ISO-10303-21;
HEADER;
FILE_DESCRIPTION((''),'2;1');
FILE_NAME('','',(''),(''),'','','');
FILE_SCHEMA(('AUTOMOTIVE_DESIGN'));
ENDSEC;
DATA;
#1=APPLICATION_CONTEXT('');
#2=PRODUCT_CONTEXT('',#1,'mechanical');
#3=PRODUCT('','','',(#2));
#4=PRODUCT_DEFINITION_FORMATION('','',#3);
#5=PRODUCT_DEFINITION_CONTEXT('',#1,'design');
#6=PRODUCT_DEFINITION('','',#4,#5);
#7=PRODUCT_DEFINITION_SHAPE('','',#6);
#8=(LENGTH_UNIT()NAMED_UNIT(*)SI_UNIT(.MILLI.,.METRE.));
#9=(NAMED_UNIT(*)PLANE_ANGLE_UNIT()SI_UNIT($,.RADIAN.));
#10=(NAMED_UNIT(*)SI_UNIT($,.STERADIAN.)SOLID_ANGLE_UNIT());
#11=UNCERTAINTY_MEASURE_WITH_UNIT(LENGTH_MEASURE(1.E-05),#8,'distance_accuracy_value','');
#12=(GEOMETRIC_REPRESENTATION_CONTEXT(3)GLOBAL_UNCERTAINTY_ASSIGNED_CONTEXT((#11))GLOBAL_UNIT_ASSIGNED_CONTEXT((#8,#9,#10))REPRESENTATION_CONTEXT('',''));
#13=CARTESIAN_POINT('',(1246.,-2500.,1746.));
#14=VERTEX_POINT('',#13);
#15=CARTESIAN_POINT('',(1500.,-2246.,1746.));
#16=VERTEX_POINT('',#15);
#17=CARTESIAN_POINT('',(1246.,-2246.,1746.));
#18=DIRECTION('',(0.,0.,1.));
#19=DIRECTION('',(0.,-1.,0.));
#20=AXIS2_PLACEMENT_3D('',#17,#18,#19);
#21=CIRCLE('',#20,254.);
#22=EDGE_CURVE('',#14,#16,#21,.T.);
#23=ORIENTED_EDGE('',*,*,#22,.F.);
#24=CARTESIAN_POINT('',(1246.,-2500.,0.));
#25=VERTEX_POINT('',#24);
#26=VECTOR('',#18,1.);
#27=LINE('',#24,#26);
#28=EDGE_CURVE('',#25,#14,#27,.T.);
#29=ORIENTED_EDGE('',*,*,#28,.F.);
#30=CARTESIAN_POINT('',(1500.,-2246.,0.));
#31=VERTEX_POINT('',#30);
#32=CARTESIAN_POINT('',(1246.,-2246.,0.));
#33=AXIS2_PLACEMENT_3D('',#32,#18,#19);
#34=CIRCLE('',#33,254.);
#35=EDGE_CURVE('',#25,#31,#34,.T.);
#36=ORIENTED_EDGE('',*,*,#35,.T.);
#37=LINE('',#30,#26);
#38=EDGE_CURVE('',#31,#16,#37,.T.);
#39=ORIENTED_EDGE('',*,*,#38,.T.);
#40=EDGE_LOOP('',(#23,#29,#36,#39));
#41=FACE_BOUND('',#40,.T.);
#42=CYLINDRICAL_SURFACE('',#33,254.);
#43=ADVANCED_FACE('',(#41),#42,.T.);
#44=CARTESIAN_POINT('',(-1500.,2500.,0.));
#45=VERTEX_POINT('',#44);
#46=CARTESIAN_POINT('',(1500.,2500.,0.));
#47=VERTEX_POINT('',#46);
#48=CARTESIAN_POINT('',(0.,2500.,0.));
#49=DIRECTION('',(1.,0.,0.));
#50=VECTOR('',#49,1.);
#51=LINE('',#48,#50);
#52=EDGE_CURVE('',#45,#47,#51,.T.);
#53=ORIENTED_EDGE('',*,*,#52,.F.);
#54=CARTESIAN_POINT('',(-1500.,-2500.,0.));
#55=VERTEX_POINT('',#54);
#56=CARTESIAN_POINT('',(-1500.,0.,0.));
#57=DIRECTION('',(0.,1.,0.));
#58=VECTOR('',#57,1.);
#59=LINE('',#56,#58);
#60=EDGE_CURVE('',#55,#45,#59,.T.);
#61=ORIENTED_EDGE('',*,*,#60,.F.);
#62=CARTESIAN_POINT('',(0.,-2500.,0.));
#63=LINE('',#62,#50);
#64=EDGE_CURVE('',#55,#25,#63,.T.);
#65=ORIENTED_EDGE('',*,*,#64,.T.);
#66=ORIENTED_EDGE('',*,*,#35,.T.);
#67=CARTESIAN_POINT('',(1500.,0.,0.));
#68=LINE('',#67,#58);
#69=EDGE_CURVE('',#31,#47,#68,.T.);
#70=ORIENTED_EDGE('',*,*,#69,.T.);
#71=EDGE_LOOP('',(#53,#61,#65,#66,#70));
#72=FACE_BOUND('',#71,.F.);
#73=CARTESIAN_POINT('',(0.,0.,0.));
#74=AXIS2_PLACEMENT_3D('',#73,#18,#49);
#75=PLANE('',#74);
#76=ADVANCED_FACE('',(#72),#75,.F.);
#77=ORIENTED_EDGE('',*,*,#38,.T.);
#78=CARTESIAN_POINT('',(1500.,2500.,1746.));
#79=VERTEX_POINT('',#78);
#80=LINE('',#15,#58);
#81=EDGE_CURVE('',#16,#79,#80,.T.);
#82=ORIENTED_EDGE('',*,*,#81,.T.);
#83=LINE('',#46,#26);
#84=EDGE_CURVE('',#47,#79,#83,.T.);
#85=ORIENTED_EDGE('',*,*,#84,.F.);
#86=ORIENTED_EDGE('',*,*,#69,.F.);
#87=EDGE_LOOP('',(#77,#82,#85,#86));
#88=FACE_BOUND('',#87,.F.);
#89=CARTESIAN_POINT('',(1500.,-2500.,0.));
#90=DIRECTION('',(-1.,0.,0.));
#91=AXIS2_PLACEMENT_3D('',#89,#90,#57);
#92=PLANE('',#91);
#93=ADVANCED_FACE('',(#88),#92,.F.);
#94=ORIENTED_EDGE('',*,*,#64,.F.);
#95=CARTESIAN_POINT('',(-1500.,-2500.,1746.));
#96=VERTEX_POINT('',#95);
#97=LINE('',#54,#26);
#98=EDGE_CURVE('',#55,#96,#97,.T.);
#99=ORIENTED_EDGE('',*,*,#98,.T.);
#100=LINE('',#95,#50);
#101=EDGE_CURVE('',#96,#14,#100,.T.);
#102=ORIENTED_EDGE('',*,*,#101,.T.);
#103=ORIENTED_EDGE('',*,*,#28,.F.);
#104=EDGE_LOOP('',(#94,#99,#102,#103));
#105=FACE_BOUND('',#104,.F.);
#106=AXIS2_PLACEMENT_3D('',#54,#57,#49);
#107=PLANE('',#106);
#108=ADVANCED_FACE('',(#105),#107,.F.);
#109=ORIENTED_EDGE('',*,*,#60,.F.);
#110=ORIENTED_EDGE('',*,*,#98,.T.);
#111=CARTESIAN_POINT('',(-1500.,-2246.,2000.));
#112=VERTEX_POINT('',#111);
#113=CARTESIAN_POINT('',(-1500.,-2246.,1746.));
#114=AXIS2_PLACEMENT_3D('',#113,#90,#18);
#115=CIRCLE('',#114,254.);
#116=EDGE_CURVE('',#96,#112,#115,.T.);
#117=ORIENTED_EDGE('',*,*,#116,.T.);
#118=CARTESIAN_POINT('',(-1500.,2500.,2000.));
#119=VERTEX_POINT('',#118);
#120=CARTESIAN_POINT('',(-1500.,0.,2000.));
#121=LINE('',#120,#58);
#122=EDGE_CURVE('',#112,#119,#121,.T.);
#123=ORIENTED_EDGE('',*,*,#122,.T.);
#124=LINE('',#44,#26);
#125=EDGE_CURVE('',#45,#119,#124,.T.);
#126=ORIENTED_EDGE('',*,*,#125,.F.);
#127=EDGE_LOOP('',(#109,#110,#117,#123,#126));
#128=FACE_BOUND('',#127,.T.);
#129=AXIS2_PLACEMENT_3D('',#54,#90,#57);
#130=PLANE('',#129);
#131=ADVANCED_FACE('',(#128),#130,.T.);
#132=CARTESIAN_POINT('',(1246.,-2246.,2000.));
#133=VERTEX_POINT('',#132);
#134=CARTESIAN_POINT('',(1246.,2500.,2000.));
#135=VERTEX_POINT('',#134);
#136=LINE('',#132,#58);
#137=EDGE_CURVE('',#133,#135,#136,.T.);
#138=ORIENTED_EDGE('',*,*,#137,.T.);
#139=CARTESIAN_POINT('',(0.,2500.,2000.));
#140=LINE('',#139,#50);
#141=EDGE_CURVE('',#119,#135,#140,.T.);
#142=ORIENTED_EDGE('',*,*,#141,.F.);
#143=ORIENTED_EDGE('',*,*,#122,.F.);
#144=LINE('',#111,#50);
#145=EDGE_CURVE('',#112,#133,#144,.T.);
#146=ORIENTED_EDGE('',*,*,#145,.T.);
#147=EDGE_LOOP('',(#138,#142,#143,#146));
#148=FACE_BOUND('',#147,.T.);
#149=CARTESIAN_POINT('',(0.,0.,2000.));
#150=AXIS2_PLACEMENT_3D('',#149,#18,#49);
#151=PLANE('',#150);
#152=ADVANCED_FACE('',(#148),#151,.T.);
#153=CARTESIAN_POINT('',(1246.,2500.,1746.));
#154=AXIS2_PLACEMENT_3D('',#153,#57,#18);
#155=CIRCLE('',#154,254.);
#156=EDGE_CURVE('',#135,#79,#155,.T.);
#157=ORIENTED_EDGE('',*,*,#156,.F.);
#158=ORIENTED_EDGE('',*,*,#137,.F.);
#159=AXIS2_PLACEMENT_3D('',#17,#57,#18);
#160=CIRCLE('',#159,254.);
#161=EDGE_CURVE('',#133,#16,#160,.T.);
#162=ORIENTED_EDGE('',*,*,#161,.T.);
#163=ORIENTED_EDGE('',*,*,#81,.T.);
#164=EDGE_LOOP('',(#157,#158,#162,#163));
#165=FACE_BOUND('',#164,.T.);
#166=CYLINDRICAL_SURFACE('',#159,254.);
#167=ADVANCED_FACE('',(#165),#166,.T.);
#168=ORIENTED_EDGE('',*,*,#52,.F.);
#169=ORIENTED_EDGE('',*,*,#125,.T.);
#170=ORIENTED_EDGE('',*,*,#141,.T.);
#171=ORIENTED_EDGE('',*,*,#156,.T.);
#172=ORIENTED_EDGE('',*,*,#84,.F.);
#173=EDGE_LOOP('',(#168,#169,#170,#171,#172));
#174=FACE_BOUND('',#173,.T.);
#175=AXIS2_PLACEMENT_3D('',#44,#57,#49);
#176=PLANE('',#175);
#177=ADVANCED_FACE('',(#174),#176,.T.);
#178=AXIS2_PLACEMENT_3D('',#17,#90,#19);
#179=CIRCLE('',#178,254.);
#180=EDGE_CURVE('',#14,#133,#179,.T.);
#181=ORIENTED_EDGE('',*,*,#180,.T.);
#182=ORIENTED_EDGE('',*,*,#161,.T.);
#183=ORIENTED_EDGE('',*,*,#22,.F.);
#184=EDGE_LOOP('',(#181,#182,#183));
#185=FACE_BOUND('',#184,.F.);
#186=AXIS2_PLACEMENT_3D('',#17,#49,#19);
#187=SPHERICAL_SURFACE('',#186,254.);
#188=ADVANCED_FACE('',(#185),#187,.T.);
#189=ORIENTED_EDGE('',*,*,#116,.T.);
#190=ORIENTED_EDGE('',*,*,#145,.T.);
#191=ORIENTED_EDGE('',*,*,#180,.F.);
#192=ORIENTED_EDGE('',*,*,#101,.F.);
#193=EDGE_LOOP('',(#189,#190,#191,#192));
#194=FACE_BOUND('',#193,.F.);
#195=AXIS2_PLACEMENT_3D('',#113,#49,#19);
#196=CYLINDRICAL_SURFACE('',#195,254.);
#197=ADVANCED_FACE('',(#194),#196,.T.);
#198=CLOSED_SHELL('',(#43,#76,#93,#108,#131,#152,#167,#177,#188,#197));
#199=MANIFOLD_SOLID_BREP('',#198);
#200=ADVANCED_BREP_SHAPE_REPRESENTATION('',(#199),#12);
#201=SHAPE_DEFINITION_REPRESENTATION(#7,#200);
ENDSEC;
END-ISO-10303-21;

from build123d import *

# Parameters (mm, degrees)
F0_W     = 3000
F0_H     = 5000
F1_DEPTH = 2000
F2_R     = 254
F3_R     = 254


with BuildPart() as f1:
    # F0 (on Top) → F1 (new body)
    with BuildSketch(Plane.XY):
        Rectangle(F0_W, F0_H)
    extrude(amount=F1_DEPTH)

    # F2
    f2_edges = [f1.edges().sort_by_distance(p)[0] for p in [
        (0, -2500, 2000),
    ]]
    fillet(f2_edges, radius=F2_R)

    # F3
    f3_edges = [f1.edges().sort_by_distance(p)[0] for p in [
        (1500, -2500, 873),
        (1500, -2425.605122, 1925.605122),
        (1500, 127, 2000),
    ]]
    fillet(f3_edges, radius=F3_R)


solid = f1.part
